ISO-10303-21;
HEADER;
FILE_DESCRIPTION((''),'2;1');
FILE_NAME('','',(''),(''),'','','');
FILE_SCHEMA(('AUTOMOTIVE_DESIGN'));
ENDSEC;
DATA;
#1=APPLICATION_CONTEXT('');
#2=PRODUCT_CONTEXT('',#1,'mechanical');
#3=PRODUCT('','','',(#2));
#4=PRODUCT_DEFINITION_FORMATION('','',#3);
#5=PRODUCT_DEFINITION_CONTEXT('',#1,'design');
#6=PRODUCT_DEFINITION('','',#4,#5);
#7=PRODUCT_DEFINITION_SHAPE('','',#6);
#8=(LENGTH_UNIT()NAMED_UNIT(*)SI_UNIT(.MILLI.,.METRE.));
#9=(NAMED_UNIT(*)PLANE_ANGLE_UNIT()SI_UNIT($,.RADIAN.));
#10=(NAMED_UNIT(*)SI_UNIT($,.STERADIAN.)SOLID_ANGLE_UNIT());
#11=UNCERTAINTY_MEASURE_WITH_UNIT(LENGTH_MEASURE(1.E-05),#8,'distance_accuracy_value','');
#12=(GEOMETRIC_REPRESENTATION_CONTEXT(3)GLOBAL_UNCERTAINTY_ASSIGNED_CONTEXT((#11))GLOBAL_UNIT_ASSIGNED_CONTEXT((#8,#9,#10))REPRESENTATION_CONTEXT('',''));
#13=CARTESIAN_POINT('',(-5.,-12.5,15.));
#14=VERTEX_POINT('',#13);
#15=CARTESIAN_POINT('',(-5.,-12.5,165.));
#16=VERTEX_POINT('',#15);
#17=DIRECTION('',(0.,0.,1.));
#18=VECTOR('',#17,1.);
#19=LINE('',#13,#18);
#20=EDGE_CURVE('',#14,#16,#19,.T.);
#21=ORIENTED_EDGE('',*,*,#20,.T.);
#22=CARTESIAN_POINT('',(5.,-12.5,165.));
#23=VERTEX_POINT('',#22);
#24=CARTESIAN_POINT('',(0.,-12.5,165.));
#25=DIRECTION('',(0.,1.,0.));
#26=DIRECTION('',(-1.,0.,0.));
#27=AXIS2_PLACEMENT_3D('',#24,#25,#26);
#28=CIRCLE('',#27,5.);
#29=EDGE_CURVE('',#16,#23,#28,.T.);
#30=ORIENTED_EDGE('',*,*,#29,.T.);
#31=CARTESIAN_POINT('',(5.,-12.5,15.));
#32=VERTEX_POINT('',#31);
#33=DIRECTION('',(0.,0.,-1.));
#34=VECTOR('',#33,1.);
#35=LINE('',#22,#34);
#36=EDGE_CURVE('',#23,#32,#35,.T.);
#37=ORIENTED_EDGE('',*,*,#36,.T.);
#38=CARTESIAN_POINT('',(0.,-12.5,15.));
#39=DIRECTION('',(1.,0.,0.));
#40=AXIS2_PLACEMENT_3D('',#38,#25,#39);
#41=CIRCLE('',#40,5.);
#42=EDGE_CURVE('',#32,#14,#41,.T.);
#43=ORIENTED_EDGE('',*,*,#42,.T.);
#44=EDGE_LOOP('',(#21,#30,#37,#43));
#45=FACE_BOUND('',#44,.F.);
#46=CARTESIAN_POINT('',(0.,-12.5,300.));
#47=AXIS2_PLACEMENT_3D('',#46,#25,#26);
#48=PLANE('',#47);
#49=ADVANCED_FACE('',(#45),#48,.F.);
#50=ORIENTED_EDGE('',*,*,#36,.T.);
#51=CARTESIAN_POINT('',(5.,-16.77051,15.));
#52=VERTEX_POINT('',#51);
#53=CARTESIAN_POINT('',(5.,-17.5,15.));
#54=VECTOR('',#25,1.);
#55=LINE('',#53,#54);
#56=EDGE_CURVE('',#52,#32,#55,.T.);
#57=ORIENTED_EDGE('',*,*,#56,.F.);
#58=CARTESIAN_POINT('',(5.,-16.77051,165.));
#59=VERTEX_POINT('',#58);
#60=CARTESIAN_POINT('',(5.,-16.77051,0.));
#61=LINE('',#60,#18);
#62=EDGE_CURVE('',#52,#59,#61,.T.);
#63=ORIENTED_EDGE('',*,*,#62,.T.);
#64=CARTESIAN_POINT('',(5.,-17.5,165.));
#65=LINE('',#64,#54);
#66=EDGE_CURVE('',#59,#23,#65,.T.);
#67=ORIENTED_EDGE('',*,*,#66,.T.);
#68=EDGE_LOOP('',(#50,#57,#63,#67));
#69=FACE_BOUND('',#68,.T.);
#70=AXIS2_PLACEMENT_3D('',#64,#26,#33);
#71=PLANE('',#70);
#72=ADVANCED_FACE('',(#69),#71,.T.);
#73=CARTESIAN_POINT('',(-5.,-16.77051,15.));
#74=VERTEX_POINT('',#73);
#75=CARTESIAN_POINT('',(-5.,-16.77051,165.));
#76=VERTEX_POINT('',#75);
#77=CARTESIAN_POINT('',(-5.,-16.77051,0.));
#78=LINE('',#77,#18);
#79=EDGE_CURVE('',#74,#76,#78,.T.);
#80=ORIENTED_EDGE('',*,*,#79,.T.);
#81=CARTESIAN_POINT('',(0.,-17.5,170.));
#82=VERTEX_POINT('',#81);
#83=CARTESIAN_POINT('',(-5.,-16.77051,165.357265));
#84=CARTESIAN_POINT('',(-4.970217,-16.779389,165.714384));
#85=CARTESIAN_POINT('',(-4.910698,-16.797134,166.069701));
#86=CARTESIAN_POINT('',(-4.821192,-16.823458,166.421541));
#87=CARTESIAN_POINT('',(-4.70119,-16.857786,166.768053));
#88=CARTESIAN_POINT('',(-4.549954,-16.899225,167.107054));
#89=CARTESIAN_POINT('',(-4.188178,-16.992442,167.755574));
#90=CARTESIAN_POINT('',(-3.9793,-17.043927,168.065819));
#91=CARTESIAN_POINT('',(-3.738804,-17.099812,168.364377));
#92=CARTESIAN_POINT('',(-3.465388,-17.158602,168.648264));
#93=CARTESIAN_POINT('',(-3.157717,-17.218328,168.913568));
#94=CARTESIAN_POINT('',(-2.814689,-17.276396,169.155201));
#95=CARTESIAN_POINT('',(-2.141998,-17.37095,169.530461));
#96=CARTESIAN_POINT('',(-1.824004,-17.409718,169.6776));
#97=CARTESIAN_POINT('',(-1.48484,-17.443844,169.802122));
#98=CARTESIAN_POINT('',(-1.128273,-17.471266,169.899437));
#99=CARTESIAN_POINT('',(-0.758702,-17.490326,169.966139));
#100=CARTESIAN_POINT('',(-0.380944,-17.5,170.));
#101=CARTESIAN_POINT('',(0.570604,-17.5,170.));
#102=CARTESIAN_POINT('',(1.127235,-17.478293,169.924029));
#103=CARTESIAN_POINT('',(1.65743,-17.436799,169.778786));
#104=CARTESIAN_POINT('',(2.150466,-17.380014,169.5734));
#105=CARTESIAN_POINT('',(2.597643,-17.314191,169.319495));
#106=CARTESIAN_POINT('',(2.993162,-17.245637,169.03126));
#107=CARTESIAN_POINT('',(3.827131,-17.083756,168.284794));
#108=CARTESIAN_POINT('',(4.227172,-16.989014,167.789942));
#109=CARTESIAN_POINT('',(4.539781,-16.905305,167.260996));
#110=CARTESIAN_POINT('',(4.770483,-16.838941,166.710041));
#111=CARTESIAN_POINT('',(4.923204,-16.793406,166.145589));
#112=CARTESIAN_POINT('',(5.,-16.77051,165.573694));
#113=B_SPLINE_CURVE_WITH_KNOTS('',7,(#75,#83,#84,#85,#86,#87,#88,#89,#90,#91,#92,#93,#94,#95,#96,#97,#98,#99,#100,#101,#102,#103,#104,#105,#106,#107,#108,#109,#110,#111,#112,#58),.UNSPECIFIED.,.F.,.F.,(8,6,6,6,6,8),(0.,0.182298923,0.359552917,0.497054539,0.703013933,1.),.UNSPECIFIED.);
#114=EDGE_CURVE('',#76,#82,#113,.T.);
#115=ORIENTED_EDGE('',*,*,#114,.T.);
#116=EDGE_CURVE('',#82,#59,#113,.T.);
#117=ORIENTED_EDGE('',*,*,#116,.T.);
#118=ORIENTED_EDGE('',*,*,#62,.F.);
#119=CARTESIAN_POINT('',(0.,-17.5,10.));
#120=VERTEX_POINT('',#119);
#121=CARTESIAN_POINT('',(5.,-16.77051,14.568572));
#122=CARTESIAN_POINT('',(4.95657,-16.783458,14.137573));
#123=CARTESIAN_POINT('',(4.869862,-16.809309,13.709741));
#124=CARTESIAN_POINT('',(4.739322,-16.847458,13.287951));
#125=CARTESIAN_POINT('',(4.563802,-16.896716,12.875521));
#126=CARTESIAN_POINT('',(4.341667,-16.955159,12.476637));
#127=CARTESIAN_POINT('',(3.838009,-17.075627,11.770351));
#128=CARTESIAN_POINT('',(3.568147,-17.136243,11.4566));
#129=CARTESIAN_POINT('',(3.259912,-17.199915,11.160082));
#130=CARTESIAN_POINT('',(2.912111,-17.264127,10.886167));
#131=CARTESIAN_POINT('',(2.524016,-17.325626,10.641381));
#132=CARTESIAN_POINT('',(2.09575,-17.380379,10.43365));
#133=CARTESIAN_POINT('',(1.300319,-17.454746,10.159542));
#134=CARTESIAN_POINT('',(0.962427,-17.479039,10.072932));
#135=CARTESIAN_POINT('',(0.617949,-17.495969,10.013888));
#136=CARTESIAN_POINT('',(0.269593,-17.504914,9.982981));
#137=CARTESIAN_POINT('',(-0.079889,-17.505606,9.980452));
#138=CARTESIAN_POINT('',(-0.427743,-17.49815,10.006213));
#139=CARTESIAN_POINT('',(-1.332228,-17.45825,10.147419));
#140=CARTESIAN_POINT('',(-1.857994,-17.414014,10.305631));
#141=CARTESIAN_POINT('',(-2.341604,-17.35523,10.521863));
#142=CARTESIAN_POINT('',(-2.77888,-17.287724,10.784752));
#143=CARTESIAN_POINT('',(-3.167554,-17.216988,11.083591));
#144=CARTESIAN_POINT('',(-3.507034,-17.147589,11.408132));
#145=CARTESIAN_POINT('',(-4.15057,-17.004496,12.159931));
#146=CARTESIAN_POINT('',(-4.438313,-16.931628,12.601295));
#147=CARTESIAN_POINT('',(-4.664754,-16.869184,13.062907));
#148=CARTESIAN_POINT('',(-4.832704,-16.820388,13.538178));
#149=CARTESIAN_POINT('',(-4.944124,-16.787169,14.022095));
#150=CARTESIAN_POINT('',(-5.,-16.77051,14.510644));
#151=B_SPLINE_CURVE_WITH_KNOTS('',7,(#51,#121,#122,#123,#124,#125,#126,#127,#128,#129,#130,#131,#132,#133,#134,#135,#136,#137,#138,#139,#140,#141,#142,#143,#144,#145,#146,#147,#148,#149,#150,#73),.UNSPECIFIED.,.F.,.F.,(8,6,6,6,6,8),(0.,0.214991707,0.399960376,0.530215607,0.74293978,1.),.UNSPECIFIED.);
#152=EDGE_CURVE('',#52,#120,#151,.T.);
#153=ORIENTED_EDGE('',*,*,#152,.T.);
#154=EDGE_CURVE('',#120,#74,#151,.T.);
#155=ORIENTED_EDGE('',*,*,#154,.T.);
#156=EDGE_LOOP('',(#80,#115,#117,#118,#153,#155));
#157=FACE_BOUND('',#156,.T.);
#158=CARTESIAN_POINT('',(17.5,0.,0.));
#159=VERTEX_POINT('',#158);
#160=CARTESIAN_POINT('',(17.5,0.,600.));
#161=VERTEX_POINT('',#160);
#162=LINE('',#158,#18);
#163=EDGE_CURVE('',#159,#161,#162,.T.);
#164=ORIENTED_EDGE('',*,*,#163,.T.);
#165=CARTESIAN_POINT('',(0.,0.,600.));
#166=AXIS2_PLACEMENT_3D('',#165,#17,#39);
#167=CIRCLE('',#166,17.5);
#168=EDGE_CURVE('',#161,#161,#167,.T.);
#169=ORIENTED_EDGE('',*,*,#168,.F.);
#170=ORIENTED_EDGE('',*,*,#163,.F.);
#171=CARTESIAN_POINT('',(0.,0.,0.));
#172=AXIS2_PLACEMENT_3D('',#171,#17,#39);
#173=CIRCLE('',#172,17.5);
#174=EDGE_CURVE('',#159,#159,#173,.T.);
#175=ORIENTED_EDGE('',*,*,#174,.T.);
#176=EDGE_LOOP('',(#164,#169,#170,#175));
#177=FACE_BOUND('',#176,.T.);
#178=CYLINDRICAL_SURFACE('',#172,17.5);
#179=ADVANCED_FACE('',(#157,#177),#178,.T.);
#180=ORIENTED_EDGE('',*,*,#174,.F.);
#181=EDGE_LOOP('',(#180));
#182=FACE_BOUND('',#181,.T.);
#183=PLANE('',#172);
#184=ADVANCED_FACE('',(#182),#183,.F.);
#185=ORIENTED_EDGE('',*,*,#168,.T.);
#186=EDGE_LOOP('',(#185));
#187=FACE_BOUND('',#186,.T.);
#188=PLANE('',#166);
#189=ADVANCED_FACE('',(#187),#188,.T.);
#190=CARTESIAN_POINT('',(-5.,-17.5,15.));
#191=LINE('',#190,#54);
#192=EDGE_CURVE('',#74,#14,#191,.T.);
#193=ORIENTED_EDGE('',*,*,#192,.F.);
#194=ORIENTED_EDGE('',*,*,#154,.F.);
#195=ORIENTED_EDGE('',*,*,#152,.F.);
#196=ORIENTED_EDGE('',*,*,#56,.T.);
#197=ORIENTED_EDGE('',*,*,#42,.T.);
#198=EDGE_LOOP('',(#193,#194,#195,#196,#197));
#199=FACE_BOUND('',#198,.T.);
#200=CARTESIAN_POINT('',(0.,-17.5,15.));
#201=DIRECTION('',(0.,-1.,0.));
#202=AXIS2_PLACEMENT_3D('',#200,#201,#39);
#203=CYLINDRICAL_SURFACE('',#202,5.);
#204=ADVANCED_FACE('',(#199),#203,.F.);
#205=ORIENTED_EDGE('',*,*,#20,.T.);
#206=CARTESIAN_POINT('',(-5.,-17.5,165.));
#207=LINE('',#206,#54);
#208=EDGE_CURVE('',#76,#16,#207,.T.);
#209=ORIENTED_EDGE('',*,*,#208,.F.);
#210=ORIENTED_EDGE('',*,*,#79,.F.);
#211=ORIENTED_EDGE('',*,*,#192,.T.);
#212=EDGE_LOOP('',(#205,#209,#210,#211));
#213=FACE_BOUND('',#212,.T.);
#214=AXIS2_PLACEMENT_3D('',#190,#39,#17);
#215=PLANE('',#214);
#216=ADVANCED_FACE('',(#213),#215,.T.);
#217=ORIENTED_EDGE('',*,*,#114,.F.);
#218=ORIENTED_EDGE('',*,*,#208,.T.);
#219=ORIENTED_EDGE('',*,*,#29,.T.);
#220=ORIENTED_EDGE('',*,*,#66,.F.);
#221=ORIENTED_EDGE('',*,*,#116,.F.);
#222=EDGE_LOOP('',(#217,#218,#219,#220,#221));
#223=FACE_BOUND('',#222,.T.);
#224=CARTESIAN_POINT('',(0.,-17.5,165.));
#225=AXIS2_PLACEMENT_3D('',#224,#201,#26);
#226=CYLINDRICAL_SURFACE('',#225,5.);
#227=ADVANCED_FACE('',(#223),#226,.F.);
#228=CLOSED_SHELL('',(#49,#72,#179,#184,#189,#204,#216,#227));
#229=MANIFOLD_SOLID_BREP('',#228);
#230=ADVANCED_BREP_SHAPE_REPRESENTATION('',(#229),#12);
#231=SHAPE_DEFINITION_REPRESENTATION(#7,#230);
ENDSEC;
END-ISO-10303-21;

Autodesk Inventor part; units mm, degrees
ref_plane "YZ Plane" through (0, 0, 0) normal (1, 0, 0) x (0, 1, 0)
ref_plane "XY Plane" through (0, 0, 0) normal (0, 0, 1) x (1, 0, 0)
sketch "Sketch1" plane through (0, 0, 0) normal (0, 1, 0) x (-1, 0, 0)
  line L0 (0, 0) -> (0, 600)
  line L1 (0, 0) -> (-17.5, 0)
  line L2 (-17.5, 0) -> (-17.5, 600)
  line L3 (-17.5, 600) -> (0, 600)
  line L4 (-17.5, 200) -> (-18, 200)
  line L5 (-18, 200) -> (-18, 350)
  line L6 (-18, 350) -> (-17.5, 350)
  dimension "d5" = 35
  dimension "d6" = 36
  dimension "d7" = 600
  dimension "d8" = 250
  dimension "d9" = 200
revolve "Revolution1" add sketch "Sketch1" angle 360 about axis through (0, 0, 0) along (0, 0, 1) contours L1 L2 L3 L0
ref_plane "Work Plane2" through (0, -17.5, 300) normal (0, 1, 0) x (-1, 0, 0)
sketch "Sketch2" plane through (0, -17.5, 300) normal (0, 1, 0) x (-1, 0, 0)
  line L0 (0, -135) -> (0, -285) construction
  line L1 (-5, -135) -> (-5, -285)
  line L2 (5, -285) -> (5, -135)
  arc A0 (5, -135) -> (-5, -135) centre (0, -135) ccw
  arc A1 (-5, -285) -> (5, -285) centre (0, -285) ccw
  point P0 (0, -300)
  point P1 (0, -210)
  point P2 (0, -290)
  dimension "d10" = 10
  dimension "d11" = 150
  dimension "d12" = 10
extrude "Extrusion1" cut sketch "Sketch2" along normal blind 5
properties part number "Вал ведущей шестерни"
